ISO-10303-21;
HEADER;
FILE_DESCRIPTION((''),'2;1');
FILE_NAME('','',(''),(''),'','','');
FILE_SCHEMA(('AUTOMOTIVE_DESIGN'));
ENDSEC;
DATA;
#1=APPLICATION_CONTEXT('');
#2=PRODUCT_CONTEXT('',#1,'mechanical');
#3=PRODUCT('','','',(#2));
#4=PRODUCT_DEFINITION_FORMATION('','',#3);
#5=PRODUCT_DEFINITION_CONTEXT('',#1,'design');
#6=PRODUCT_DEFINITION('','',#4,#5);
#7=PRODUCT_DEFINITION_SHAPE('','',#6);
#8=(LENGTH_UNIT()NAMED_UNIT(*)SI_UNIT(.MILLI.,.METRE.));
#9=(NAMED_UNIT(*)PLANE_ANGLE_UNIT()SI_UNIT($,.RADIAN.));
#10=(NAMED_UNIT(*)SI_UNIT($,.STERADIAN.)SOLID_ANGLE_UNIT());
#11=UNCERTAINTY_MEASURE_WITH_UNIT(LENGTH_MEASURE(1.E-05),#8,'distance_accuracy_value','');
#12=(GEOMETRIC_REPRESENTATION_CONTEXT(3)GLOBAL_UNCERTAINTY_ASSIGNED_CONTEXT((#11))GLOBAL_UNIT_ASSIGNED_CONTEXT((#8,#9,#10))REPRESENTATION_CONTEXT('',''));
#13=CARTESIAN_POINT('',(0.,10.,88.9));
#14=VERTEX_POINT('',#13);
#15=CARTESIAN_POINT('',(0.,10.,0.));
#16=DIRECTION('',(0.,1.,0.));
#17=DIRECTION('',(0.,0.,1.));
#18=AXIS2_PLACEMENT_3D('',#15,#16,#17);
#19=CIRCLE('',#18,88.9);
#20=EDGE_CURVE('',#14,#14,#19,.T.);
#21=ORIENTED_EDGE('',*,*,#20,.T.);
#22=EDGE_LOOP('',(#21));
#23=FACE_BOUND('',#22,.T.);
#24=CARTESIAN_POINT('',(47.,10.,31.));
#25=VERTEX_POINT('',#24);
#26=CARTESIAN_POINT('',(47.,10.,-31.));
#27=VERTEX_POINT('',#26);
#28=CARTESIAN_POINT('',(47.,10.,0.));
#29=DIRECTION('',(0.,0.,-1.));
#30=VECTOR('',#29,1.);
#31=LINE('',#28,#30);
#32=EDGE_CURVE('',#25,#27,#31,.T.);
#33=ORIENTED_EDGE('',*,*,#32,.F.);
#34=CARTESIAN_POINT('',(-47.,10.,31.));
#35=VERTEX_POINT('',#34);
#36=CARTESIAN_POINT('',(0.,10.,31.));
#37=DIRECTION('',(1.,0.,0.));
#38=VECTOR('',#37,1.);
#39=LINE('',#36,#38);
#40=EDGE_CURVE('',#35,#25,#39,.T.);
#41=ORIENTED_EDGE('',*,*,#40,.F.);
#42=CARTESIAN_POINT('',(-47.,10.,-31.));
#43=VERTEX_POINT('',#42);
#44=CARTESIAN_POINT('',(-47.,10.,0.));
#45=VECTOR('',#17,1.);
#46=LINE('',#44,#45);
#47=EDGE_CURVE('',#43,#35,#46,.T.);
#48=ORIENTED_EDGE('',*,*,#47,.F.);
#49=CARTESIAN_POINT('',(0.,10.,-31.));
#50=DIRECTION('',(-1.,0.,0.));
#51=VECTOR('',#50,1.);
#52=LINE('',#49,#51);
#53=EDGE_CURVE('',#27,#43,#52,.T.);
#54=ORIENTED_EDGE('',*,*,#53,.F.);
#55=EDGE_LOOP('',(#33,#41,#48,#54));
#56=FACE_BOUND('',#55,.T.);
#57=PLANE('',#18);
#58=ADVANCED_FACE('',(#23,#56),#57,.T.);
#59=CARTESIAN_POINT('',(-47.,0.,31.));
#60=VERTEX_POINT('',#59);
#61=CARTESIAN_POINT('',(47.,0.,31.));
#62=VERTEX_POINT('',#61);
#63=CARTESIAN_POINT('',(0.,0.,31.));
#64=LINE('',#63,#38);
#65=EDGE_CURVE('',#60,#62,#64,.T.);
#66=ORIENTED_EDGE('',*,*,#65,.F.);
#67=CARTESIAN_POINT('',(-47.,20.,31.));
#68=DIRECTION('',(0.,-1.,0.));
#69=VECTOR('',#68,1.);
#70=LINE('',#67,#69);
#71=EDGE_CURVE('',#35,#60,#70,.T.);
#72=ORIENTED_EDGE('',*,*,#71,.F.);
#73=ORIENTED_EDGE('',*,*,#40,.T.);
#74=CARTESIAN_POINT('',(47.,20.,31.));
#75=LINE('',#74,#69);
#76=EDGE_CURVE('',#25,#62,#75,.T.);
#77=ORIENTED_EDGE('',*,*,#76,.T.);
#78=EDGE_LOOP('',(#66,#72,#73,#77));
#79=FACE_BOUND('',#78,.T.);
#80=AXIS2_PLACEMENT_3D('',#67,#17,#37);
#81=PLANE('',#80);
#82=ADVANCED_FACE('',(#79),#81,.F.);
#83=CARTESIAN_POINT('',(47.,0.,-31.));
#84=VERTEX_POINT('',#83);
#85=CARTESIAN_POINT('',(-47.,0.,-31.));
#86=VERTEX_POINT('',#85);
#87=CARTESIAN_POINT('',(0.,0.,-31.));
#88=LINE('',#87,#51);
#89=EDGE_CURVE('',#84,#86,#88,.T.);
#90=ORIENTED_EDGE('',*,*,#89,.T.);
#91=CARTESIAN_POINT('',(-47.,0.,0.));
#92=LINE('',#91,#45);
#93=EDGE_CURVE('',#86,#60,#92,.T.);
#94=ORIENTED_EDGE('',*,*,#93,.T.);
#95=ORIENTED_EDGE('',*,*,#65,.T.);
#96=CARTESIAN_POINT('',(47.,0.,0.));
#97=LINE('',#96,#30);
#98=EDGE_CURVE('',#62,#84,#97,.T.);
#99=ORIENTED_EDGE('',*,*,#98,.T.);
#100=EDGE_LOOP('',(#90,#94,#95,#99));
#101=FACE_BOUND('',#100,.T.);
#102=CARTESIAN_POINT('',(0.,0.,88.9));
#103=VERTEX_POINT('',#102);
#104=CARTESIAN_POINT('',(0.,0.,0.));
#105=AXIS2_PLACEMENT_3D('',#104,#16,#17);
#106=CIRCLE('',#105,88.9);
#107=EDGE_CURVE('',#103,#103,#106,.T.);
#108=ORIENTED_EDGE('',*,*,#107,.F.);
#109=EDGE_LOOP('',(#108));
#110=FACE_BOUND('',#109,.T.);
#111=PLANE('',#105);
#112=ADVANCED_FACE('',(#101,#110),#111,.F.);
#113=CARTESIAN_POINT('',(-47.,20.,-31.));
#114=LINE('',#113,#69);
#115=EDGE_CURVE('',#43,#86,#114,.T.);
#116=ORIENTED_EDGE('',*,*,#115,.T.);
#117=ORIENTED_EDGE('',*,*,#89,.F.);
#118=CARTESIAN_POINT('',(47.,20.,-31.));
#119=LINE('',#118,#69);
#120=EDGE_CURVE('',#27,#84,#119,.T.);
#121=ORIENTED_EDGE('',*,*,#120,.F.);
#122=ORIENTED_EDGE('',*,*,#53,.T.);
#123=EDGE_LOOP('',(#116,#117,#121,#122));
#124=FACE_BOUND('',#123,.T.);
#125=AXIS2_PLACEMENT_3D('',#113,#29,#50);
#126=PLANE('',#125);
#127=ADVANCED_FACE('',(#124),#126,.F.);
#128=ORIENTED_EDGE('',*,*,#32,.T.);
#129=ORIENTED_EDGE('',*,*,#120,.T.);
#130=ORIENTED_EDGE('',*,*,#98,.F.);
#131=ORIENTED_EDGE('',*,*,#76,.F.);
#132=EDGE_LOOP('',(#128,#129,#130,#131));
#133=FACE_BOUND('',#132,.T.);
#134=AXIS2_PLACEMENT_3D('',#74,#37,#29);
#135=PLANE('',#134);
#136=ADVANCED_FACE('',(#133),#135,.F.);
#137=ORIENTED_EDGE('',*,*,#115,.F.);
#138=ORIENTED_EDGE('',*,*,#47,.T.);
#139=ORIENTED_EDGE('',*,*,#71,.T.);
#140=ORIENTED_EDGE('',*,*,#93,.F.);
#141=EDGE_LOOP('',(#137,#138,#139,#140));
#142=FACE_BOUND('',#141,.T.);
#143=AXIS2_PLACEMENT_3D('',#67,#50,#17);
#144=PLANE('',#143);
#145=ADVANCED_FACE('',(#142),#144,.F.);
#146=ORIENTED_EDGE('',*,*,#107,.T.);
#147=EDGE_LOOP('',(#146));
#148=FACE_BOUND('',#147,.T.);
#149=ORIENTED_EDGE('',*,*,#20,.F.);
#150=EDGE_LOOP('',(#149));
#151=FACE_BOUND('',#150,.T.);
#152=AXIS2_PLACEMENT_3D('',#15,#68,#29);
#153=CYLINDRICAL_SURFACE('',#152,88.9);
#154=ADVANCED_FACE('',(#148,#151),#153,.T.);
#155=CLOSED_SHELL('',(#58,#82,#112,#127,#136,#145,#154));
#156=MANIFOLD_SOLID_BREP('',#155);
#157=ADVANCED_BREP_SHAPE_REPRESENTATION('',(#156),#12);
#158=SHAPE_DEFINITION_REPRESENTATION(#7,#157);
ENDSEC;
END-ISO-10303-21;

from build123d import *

# Parameters (mm, degrees)
SKETCH1_R           = 88.9
BOSS_EXTRUDE1_DEPTH = 10
SKETCH2_W           = 94
SKETCH2_H           = 62
CUT_EXTRUDE1_DEPTH  = 30


with BuildPart() as part:
    # Sketch1 → Boss-Extrude1 (new body)
    with BuildSketch(Plane(origin=(0, 0, 0), x_dir=(1, 0, 0), z_dir=(0, 1, 0))):
        with Locations(Location((0, 0, 0), (0, 0, 270))):
            Circle(SKETCH1_R)
    extrude(amount=BOSS_EXTRUDE1_DEPTH)

    # Sketch2 → Cut-Extrude1 (cut)
    with BuildSketch(Plane.XZ.offset(10)):
        Rectangle(SKETCH2_W, SKETCH2_H)
    extrude(amount=-CUT_EXTRUDE1_DEPTH, mode=Mode.SUBTRACT)


solid = part.part
